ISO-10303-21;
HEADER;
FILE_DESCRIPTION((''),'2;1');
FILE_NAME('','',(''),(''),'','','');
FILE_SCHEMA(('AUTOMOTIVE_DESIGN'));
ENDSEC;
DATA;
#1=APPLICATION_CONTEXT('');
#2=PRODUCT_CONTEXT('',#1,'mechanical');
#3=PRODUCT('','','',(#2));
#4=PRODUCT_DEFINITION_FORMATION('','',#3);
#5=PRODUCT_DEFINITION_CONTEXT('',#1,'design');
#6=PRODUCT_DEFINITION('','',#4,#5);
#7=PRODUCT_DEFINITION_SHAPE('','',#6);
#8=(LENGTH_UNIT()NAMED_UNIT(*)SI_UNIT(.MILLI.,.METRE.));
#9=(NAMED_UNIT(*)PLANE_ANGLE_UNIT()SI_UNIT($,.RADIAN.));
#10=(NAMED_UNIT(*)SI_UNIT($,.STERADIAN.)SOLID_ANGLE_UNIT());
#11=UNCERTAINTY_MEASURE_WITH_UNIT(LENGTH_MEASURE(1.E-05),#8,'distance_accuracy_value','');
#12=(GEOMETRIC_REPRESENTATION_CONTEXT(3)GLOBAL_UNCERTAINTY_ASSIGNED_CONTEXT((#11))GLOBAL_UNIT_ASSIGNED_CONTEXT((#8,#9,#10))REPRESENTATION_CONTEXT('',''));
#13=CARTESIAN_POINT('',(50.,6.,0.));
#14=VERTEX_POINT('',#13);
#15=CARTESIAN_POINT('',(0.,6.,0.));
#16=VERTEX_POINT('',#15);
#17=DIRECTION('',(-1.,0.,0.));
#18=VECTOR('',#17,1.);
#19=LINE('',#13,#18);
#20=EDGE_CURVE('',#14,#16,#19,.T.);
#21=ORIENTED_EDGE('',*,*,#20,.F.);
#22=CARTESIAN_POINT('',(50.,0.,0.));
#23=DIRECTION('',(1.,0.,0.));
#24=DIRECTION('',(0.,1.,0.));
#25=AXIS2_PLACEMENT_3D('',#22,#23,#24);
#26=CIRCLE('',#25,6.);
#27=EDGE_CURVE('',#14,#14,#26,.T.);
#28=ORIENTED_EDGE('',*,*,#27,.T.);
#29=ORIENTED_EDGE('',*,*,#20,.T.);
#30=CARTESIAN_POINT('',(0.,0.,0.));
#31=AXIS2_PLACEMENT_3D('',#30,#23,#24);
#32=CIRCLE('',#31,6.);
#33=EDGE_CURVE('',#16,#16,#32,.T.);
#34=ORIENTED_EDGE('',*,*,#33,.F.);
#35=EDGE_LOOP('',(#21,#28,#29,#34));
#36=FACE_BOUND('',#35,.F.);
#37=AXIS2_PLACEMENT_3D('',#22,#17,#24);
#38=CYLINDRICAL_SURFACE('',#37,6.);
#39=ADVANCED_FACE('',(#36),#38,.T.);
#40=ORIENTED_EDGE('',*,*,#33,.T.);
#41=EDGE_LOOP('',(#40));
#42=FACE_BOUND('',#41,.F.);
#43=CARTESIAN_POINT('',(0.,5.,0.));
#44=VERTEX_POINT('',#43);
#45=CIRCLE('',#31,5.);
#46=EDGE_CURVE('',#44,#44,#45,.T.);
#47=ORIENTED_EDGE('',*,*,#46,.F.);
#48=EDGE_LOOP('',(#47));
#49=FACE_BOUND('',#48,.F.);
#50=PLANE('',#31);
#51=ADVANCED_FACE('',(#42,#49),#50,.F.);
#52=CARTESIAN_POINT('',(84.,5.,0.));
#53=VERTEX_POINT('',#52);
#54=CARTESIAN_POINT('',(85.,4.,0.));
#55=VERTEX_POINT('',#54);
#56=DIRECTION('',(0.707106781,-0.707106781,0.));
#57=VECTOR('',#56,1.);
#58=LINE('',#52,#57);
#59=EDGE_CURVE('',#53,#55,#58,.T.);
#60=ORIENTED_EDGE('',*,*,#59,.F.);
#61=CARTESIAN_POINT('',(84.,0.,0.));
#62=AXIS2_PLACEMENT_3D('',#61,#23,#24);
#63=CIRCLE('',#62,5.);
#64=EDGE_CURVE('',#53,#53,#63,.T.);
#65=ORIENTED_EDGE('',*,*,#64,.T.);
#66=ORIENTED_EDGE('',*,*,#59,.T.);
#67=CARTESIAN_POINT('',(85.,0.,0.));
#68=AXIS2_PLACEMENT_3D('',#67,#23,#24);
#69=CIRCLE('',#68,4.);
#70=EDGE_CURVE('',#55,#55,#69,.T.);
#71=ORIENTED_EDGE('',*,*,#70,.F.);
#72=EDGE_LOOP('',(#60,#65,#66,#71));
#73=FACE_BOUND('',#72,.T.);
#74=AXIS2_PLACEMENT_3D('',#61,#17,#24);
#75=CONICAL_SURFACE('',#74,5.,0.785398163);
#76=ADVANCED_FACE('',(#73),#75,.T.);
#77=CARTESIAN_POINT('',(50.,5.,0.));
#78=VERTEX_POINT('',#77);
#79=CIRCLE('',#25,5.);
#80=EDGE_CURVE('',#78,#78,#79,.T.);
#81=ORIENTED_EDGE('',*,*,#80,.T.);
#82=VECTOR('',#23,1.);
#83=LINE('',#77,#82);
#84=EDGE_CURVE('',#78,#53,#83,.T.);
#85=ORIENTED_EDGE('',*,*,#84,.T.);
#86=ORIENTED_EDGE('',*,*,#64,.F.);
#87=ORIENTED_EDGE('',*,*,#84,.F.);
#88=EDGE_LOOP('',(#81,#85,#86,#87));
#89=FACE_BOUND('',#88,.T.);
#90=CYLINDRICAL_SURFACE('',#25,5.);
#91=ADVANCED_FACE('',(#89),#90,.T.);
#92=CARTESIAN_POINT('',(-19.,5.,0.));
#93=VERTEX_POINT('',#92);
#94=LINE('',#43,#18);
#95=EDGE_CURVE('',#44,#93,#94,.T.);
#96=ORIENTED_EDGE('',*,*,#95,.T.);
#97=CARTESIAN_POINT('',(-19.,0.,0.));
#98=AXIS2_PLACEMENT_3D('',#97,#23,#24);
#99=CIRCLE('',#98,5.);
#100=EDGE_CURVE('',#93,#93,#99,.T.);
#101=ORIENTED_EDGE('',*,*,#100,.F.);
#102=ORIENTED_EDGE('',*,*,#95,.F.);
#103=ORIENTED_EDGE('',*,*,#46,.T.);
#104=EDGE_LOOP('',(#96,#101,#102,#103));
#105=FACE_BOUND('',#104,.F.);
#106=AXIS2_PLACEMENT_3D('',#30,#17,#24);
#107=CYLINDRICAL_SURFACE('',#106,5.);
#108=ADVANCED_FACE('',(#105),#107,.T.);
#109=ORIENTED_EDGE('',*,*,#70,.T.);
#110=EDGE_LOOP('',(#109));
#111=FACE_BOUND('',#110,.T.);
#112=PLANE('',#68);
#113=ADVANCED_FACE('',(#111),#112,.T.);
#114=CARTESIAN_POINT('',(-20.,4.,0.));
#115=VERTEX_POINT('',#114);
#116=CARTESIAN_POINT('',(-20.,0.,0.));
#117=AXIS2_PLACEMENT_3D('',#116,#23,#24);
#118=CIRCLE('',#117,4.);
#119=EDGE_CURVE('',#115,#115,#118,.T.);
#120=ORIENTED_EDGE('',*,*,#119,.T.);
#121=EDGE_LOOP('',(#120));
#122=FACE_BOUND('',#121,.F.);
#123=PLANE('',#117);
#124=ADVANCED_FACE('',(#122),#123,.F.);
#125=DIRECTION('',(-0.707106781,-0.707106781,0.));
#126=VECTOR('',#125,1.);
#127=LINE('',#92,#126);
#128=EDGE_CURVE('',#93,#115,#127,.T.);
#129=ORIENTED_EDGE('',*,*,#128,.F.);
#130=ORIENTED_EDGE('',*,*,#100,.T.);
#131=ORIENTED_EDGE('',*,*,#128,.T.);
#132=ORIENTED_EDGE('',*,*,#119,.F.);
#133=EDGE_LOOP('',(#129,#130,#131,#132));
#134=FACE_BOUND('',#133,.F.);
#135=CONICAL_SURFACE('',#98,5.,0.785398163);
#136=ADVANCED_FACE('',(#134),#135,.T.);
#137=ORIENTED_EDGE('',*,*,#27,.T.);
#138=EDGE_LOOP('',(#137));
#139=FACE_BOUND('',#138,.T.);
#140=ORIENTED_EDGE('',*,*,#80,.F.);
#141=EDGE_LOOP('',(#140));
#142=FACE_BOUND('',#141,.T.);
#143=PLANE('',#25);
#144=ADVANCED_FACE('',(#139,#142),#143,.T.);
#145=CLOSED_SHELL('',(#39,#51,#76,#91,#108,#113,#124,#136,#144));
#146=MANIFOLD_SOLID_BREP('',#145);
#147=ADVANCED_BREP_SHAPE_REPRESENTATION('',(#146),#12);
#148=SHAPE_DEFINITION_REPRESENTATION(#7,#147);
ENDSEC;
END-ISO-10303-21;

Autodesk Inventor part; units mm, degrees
ref_plane "YZ Plane" through (0, 0, 0) normal (1, 0, 0) x (0, 1, 0)
ref_plane "XZ Plane" through (0, 0, 0) normal (0, 1, 0) x (-1, 0, 0)
ref_plane "XY Plane" through (0, 0, 0) normal (0, 0, 1) x (1, 0, 0)
sketch "Sketch1" plane through (0, 0, 0) normal (0, 0, 1) x (1, 0, 0)
  line L0 (0, 0) -> (85, 0)
  line L1 (0, 6) -> (0, 0)
  line L2 (50, 6) -> (50, 5)
  line L3 (50, 5) -> (85, 5)
  line L4 (85, 5) -> (85, 0)
  line L5 (50, 6) -> (0, 6)
  line L6 (0, 6) -> (0, 5)
  line L7 (0, 5) -> (-20, 5)
  line L8 (-20, 5) -> (-20, 0)
  line L9 (-20, 0) -> (0, 0)
  dimension "d10" = 1
  dimension "d11" = 35
  dimension "d12" = 5
  dimension "d16" = 20
  dimension "d17" = 5
  dimension "d18" = 50
revolve "Revolution1" add sketch "Sketch1" angle 360 about axis through (0, 0, 0) along (1, 0, 0)
thread "Thread2" size "M12x1.75" class "6g" standard "ANSI Metric M Profile" full length
chamfer "Chamfer2" distance 1 angle 45 2 edges at (-20, -5, 0) (85, -5, 0)
properties part number "Small Gear Shaft"
